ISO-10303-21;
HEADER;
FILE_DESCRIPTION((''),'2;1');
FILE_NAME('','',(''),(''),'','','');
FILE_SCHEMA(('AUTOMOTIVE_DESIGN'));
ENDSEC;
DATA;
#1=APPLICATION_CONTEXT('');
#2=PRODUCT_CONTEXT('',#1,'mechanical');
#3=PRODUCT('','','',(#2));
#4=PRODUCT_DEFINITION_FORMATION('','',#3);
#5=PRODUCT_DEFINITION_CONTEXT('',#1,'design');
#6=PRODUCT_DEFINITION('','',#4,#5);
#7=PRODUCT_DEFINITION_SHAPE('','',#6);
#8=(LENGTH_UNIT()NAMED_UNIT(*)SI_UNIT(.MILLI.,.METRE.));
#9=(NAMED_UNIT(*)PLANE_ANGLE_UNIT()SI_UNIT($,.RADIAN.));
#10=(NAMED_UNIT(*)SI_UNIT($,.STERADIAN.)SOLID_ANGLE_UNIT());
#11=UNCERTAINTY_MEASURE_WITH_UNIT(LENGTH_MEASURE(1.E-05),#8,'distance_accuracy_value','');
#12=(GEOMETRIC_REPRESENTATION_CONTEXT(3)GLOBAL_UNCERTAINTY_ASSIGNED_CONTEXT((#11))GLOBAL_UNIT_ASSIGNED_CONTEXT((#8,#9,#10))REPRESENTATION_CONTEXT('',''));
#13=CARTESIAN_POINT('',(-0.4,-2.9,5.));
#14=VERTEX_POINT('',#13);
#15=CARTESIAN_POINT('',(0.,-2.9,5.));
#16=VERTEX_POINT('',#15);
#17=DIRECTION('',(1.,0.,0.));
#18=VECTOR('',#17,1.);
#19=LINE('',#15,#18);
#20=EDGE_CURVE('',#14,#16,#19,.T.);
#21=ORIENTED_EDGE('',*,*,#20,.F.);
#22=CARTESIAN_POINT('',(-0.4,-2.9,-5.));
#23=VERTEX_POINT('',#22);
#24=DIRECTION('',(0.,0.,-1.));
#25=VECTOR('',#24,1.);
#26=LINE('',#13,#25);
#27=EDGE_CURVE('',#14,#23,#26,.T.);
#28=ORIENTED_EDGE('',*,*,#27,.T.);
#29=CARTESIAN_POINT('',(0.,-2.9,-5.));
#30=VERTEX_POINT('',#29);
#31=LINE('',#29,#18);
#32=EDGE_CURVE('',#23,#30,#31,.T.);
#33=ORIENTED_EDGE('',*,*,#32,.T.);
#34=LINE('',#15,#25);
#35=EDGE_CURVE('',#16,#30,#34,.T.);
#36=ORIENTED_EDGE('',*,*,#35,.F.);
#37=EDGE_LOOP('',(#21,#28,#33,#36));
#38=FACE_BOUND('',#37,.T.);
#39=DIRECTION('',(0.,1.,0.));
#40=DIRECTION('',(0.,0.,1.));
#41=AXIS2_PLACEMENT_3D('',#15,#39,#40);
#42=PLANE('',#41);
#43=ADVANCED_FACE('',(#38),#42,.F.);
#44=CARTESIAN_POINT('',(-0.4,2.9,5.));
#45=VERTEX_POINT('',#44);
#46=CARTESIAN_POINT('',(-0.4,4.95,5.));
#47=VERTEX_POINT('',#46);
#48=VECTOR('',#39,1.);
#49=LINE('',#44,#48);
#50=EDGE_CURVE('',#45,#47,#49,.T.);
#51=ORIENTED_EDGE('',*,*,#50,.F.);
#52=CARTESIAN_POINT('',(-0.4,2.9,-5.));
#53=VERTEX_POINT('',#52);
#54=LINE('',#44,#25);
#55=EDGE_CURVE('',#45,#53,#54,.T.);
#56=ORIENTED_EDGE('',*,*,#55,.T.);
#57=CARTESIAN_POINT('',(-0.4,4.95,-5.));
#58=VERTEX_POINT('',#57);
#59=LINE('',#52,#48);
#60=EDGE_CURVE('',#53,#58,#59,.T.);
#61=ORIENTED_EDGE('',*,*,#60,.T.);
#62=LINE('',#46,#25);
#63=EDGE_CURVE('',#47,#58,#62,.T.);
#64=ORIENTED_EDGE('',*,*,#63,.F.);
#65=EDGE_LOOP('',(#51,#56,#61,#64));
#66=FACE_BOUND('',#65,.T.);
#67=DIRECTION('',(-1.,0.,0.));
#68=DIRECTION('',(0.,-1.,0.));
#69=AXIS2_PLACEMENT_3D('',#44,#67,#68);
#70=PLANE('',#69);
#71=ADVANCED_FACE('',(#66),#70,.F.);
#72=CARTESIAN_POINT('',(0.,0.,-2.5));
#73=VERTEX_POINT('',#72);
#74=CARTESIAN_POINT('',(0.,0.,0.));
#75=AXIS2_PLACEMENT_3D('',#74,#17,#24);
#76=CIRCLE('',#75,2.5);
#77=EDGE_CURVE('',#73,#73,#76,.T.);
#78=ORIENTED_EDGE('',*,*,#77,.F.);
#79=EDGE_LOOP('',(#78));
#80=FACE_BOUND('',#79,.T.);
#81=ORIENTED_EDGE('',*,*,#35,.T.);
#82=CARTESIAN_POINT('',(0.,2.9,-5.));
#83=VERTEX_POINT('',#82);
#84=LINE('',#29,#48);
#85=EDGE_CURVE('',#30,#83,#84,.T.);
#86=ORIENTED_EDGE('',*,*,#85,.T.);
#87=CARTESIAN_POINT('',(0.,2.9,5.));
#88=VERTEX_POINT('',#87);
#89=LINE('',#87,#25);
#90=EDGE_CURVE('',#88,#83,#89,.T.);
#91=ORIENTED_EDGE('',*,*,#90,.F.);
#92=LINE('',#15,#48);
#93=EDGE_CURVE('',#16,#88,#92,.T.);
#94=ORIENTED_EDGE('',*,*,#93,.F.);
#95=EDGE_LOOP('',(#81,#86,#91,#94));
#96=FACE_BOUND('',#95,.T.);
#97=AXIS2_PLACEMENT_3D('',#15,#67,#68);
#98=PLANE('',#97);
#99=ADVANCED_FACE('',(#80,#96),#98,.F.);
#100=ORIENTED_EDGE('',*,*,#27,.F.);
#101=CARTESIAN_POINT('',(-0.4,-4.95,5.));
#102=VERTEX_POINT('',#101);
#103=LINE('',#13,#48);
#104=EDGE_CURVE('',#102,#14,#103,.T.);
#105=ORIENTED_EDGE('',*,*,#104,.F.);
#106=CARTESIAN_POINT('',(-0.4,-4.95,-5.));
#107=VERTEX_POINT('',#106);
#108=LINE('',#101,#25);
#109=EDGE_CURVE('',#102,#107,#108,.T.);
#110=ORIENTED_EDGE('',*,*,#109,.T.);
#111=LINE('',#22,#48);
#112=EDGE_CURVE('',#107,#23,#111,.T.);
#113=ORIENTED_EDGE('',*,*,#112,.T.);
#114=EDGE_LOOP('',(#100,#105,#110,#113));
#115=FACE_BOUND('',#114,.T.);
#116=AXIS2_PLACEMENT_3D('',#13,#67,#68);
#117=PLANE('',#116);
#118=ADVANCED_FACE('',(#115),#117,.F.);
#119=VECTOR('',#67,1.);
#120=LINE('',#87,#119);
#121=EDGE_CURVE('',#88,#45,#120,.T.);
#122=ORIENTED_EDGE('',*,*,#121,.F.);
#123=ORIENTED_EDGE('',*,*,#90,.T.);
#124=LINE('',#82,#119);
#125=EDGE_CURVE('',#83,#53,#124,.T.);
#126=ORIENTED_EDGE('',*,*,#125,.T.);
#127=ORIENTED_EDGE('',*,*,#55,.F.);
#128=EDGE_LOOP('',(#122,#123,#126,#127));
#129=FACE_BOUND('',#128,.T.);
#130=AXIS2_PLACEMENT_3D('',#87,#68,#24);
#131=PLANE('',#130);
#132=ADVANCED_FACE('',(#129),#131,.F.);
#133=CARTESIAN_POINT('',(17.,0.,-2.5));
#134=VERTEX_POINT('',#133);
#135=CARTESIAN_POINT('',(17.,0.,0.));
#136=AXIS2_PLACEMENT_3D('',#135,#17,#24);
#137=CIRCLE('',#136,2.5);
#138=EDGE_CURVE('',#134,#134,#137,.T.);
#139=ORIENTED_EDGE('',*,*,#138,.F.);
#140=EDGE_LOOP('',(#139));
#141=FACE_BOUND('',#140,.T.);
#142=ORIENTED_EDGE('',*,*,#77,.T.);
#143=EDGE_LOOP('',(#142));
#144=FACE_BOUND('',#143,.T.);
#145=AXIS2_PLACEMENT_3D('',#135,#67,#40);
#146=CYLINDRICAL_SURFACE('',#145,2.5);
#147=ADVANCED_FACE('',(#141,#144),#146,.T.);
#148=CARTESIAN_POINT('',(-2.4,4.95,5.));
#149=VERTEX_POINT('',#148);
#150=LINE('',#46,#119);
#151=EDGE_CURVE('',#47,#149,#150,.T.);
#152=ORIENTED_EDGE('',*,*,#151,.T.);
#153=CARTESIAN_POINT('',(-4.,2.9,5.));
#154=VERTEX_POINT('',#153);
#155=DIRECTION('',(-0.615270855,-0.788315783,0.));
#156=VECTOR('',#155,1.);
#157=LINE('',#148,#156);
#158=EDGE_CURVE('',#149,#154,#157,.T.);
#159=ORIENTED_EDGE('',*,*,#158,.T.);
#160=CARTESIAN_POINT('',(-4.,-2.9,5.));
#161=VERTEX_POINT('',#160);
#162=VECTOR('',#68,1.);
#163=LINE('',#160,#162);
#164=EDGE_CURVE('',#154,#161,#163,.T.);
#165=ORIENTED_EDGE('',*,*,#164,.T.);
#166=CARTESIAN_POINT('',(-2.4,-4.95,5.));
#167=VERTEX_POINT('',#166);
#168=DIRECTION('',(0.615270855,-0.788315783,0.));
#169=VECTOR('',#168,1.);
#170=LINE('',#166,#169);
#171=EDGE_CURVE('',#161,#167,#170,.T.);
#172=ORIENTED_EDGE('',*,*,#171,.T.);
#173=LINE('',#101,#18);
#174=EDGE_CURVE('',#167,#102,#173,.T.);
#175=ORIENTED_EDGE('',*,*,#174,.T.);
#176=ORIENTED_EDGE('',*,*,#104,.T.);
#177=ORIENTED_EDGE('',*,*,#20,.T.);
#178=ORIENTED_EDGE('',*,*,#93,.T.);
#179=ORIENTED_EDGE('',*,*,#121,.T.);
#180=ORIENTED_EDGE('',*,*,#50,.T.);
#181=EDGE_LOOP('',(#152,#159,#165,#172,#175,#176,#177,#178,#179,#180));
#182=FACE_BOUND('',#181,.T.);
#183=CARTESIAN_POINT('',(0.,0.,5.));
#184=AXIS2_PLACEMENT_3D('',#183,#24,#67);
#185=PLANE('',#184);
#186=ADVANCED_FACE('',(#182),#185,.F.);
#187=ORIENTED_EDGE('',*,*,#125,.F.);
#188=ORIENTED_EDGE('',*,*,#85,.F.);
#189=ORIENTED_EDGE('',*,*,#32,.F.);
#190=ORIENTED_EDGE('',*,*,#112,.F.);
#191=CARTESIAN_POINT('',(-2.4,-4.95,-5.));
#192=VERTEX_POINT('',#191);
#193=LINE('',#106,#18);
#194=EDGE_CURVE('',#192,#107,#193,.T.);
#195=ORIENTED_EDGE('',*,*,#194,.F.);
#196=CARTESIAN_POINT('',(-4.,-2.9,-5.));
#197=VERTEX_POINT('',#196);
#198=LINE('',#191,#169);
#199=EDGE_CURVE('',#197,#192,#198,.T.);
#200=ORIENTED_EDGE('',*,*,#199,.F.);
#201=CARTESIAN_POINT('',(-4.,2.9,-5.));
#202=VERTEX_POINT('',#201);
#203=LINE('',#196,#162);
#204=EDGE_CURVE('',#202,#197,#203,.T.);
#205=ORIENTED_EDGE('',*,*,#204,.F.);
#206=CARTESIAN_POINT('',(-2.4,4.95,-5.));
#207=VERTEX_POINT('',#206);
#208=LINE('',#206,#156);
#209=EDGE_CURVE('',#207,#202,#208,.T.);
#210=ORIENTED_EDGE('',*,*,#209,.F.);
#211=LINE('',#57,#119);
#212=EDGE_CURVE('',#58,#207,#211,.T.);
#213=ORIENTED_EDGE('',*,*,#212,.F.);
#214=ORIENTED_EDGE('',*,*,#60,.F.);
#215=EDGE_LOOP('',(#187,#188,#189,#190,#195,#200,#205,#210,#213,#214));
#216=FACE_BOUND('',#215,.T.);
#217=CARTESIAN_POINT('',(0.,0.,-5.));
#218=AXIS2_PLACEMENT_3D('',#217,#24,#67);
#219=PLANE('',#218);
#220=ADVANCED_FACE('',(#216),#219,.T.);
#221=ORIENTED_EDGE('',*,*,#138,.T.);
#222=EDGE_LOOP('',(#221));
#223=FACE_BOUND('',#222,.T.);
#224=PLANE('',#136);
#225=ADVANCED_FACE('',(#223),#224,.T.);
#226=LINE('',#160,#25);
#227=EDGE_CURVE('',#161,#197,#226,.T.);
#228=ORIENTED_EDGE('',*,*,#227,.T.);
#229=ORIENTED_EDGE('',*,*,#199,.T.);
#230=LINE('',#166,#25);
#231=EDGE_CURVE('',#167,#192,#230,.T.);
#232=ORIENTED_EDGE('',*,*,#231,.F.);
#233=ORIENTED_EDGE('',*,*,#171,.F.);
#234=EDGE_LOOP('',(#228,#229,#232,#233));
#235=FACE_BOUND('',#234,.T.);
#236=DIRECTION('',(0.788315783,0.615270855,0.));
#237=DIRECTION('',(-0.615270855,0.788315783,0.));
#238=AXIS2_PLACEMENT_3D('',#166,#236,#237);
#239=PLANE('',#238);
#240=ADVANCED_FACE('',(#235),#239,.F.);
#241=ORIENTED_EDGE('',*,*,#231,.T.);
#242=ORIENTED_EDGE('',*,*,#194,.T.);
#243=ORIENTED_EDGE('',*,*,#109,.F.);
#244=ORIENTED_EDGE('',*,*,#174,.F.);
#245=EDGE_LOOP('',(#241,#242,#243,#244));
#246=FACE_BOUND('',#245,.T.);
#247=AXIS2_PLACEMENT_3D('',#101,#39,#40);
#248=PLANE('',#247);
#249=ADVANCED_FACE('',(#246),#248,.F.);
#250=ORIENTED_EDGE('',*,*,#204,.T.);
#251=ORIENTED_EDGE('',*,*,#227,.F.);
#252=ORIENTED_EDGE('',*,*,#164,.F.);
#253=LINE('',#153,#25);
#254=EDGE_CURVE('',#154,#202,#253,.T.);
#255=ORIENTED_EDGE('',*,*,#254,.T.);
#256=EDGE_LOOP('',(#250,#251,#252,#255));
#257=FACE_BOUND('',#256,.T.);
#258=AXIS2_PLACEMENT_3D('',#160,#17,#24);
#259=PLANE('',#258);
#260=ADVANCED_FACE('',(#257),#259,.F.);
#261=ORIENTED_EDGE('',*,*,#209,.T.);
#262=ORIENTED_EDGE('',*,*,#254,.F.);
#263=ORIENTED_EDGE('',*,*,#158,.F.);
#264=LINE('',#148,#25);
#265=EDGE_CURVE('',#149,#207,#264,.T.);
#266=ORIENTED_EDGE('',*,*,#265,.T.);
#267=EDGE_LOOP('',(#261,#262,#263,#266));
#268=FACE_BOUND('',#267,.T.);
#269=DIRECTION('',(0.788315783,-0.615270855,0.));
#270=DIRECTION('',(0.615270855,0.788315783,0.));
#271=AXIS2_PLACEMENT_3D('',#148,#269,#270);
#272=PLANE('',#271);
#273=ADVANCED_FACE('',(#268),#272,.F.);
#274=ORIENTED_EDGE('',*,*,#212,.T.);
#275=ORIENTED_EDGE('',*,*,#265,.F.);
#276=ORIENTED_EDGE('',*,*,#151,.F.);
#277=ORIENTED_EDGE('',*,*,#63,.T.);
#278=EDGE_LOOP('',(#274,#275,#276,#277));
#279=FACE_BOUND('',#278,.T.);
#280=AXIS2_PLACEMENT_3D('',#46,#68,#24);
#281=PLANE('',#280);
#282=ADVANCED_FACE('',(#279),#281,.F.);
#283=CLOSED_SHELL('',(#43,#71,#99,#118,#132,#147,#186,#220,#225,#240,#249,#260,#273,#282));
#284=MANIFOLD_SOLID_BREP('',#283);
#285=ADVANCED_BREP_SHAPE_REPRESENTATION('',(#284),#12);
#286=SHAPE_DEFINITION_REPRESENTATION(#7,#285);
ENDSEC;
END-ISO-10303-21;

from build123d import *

# Parameters (mm, degrees)
BOSS_EXTRUDE1_DEPTH = 5
SKETCH2_R           = 2.5
BOSS_EXTRUDE2_DEPTH = 17


with BuildPart() as part:
    # Sketch1 → Boss-Extrude1 (new, symmetric)
    with BuildSketch(Plane.XY):
        Polygon((0, -2.9), (0, 2.9), (-0.4, 2.9), (-0.4, 4.95), (-2.4, 4.95), (-4, 2.9), (-4, -2.9), (-2.4, -4.95), (-0.4, -4.95), (-0.4, -2.9), align=None)
    extrude(amount=BOSS_EXTRUDE1_DEPTH, both=True)

    # Sketch2 → Boss-Extrude2 (add)
    with BuildSketch(Plane(origin=(0, 0, 0), x_dir=(0, 0, -1), z_dir=(1, 0, 0))):
        Circle(SKETCH2_R)
    extrude(amount=BOSS_EXTRUDE2_DEPTH)


solid = part.part
